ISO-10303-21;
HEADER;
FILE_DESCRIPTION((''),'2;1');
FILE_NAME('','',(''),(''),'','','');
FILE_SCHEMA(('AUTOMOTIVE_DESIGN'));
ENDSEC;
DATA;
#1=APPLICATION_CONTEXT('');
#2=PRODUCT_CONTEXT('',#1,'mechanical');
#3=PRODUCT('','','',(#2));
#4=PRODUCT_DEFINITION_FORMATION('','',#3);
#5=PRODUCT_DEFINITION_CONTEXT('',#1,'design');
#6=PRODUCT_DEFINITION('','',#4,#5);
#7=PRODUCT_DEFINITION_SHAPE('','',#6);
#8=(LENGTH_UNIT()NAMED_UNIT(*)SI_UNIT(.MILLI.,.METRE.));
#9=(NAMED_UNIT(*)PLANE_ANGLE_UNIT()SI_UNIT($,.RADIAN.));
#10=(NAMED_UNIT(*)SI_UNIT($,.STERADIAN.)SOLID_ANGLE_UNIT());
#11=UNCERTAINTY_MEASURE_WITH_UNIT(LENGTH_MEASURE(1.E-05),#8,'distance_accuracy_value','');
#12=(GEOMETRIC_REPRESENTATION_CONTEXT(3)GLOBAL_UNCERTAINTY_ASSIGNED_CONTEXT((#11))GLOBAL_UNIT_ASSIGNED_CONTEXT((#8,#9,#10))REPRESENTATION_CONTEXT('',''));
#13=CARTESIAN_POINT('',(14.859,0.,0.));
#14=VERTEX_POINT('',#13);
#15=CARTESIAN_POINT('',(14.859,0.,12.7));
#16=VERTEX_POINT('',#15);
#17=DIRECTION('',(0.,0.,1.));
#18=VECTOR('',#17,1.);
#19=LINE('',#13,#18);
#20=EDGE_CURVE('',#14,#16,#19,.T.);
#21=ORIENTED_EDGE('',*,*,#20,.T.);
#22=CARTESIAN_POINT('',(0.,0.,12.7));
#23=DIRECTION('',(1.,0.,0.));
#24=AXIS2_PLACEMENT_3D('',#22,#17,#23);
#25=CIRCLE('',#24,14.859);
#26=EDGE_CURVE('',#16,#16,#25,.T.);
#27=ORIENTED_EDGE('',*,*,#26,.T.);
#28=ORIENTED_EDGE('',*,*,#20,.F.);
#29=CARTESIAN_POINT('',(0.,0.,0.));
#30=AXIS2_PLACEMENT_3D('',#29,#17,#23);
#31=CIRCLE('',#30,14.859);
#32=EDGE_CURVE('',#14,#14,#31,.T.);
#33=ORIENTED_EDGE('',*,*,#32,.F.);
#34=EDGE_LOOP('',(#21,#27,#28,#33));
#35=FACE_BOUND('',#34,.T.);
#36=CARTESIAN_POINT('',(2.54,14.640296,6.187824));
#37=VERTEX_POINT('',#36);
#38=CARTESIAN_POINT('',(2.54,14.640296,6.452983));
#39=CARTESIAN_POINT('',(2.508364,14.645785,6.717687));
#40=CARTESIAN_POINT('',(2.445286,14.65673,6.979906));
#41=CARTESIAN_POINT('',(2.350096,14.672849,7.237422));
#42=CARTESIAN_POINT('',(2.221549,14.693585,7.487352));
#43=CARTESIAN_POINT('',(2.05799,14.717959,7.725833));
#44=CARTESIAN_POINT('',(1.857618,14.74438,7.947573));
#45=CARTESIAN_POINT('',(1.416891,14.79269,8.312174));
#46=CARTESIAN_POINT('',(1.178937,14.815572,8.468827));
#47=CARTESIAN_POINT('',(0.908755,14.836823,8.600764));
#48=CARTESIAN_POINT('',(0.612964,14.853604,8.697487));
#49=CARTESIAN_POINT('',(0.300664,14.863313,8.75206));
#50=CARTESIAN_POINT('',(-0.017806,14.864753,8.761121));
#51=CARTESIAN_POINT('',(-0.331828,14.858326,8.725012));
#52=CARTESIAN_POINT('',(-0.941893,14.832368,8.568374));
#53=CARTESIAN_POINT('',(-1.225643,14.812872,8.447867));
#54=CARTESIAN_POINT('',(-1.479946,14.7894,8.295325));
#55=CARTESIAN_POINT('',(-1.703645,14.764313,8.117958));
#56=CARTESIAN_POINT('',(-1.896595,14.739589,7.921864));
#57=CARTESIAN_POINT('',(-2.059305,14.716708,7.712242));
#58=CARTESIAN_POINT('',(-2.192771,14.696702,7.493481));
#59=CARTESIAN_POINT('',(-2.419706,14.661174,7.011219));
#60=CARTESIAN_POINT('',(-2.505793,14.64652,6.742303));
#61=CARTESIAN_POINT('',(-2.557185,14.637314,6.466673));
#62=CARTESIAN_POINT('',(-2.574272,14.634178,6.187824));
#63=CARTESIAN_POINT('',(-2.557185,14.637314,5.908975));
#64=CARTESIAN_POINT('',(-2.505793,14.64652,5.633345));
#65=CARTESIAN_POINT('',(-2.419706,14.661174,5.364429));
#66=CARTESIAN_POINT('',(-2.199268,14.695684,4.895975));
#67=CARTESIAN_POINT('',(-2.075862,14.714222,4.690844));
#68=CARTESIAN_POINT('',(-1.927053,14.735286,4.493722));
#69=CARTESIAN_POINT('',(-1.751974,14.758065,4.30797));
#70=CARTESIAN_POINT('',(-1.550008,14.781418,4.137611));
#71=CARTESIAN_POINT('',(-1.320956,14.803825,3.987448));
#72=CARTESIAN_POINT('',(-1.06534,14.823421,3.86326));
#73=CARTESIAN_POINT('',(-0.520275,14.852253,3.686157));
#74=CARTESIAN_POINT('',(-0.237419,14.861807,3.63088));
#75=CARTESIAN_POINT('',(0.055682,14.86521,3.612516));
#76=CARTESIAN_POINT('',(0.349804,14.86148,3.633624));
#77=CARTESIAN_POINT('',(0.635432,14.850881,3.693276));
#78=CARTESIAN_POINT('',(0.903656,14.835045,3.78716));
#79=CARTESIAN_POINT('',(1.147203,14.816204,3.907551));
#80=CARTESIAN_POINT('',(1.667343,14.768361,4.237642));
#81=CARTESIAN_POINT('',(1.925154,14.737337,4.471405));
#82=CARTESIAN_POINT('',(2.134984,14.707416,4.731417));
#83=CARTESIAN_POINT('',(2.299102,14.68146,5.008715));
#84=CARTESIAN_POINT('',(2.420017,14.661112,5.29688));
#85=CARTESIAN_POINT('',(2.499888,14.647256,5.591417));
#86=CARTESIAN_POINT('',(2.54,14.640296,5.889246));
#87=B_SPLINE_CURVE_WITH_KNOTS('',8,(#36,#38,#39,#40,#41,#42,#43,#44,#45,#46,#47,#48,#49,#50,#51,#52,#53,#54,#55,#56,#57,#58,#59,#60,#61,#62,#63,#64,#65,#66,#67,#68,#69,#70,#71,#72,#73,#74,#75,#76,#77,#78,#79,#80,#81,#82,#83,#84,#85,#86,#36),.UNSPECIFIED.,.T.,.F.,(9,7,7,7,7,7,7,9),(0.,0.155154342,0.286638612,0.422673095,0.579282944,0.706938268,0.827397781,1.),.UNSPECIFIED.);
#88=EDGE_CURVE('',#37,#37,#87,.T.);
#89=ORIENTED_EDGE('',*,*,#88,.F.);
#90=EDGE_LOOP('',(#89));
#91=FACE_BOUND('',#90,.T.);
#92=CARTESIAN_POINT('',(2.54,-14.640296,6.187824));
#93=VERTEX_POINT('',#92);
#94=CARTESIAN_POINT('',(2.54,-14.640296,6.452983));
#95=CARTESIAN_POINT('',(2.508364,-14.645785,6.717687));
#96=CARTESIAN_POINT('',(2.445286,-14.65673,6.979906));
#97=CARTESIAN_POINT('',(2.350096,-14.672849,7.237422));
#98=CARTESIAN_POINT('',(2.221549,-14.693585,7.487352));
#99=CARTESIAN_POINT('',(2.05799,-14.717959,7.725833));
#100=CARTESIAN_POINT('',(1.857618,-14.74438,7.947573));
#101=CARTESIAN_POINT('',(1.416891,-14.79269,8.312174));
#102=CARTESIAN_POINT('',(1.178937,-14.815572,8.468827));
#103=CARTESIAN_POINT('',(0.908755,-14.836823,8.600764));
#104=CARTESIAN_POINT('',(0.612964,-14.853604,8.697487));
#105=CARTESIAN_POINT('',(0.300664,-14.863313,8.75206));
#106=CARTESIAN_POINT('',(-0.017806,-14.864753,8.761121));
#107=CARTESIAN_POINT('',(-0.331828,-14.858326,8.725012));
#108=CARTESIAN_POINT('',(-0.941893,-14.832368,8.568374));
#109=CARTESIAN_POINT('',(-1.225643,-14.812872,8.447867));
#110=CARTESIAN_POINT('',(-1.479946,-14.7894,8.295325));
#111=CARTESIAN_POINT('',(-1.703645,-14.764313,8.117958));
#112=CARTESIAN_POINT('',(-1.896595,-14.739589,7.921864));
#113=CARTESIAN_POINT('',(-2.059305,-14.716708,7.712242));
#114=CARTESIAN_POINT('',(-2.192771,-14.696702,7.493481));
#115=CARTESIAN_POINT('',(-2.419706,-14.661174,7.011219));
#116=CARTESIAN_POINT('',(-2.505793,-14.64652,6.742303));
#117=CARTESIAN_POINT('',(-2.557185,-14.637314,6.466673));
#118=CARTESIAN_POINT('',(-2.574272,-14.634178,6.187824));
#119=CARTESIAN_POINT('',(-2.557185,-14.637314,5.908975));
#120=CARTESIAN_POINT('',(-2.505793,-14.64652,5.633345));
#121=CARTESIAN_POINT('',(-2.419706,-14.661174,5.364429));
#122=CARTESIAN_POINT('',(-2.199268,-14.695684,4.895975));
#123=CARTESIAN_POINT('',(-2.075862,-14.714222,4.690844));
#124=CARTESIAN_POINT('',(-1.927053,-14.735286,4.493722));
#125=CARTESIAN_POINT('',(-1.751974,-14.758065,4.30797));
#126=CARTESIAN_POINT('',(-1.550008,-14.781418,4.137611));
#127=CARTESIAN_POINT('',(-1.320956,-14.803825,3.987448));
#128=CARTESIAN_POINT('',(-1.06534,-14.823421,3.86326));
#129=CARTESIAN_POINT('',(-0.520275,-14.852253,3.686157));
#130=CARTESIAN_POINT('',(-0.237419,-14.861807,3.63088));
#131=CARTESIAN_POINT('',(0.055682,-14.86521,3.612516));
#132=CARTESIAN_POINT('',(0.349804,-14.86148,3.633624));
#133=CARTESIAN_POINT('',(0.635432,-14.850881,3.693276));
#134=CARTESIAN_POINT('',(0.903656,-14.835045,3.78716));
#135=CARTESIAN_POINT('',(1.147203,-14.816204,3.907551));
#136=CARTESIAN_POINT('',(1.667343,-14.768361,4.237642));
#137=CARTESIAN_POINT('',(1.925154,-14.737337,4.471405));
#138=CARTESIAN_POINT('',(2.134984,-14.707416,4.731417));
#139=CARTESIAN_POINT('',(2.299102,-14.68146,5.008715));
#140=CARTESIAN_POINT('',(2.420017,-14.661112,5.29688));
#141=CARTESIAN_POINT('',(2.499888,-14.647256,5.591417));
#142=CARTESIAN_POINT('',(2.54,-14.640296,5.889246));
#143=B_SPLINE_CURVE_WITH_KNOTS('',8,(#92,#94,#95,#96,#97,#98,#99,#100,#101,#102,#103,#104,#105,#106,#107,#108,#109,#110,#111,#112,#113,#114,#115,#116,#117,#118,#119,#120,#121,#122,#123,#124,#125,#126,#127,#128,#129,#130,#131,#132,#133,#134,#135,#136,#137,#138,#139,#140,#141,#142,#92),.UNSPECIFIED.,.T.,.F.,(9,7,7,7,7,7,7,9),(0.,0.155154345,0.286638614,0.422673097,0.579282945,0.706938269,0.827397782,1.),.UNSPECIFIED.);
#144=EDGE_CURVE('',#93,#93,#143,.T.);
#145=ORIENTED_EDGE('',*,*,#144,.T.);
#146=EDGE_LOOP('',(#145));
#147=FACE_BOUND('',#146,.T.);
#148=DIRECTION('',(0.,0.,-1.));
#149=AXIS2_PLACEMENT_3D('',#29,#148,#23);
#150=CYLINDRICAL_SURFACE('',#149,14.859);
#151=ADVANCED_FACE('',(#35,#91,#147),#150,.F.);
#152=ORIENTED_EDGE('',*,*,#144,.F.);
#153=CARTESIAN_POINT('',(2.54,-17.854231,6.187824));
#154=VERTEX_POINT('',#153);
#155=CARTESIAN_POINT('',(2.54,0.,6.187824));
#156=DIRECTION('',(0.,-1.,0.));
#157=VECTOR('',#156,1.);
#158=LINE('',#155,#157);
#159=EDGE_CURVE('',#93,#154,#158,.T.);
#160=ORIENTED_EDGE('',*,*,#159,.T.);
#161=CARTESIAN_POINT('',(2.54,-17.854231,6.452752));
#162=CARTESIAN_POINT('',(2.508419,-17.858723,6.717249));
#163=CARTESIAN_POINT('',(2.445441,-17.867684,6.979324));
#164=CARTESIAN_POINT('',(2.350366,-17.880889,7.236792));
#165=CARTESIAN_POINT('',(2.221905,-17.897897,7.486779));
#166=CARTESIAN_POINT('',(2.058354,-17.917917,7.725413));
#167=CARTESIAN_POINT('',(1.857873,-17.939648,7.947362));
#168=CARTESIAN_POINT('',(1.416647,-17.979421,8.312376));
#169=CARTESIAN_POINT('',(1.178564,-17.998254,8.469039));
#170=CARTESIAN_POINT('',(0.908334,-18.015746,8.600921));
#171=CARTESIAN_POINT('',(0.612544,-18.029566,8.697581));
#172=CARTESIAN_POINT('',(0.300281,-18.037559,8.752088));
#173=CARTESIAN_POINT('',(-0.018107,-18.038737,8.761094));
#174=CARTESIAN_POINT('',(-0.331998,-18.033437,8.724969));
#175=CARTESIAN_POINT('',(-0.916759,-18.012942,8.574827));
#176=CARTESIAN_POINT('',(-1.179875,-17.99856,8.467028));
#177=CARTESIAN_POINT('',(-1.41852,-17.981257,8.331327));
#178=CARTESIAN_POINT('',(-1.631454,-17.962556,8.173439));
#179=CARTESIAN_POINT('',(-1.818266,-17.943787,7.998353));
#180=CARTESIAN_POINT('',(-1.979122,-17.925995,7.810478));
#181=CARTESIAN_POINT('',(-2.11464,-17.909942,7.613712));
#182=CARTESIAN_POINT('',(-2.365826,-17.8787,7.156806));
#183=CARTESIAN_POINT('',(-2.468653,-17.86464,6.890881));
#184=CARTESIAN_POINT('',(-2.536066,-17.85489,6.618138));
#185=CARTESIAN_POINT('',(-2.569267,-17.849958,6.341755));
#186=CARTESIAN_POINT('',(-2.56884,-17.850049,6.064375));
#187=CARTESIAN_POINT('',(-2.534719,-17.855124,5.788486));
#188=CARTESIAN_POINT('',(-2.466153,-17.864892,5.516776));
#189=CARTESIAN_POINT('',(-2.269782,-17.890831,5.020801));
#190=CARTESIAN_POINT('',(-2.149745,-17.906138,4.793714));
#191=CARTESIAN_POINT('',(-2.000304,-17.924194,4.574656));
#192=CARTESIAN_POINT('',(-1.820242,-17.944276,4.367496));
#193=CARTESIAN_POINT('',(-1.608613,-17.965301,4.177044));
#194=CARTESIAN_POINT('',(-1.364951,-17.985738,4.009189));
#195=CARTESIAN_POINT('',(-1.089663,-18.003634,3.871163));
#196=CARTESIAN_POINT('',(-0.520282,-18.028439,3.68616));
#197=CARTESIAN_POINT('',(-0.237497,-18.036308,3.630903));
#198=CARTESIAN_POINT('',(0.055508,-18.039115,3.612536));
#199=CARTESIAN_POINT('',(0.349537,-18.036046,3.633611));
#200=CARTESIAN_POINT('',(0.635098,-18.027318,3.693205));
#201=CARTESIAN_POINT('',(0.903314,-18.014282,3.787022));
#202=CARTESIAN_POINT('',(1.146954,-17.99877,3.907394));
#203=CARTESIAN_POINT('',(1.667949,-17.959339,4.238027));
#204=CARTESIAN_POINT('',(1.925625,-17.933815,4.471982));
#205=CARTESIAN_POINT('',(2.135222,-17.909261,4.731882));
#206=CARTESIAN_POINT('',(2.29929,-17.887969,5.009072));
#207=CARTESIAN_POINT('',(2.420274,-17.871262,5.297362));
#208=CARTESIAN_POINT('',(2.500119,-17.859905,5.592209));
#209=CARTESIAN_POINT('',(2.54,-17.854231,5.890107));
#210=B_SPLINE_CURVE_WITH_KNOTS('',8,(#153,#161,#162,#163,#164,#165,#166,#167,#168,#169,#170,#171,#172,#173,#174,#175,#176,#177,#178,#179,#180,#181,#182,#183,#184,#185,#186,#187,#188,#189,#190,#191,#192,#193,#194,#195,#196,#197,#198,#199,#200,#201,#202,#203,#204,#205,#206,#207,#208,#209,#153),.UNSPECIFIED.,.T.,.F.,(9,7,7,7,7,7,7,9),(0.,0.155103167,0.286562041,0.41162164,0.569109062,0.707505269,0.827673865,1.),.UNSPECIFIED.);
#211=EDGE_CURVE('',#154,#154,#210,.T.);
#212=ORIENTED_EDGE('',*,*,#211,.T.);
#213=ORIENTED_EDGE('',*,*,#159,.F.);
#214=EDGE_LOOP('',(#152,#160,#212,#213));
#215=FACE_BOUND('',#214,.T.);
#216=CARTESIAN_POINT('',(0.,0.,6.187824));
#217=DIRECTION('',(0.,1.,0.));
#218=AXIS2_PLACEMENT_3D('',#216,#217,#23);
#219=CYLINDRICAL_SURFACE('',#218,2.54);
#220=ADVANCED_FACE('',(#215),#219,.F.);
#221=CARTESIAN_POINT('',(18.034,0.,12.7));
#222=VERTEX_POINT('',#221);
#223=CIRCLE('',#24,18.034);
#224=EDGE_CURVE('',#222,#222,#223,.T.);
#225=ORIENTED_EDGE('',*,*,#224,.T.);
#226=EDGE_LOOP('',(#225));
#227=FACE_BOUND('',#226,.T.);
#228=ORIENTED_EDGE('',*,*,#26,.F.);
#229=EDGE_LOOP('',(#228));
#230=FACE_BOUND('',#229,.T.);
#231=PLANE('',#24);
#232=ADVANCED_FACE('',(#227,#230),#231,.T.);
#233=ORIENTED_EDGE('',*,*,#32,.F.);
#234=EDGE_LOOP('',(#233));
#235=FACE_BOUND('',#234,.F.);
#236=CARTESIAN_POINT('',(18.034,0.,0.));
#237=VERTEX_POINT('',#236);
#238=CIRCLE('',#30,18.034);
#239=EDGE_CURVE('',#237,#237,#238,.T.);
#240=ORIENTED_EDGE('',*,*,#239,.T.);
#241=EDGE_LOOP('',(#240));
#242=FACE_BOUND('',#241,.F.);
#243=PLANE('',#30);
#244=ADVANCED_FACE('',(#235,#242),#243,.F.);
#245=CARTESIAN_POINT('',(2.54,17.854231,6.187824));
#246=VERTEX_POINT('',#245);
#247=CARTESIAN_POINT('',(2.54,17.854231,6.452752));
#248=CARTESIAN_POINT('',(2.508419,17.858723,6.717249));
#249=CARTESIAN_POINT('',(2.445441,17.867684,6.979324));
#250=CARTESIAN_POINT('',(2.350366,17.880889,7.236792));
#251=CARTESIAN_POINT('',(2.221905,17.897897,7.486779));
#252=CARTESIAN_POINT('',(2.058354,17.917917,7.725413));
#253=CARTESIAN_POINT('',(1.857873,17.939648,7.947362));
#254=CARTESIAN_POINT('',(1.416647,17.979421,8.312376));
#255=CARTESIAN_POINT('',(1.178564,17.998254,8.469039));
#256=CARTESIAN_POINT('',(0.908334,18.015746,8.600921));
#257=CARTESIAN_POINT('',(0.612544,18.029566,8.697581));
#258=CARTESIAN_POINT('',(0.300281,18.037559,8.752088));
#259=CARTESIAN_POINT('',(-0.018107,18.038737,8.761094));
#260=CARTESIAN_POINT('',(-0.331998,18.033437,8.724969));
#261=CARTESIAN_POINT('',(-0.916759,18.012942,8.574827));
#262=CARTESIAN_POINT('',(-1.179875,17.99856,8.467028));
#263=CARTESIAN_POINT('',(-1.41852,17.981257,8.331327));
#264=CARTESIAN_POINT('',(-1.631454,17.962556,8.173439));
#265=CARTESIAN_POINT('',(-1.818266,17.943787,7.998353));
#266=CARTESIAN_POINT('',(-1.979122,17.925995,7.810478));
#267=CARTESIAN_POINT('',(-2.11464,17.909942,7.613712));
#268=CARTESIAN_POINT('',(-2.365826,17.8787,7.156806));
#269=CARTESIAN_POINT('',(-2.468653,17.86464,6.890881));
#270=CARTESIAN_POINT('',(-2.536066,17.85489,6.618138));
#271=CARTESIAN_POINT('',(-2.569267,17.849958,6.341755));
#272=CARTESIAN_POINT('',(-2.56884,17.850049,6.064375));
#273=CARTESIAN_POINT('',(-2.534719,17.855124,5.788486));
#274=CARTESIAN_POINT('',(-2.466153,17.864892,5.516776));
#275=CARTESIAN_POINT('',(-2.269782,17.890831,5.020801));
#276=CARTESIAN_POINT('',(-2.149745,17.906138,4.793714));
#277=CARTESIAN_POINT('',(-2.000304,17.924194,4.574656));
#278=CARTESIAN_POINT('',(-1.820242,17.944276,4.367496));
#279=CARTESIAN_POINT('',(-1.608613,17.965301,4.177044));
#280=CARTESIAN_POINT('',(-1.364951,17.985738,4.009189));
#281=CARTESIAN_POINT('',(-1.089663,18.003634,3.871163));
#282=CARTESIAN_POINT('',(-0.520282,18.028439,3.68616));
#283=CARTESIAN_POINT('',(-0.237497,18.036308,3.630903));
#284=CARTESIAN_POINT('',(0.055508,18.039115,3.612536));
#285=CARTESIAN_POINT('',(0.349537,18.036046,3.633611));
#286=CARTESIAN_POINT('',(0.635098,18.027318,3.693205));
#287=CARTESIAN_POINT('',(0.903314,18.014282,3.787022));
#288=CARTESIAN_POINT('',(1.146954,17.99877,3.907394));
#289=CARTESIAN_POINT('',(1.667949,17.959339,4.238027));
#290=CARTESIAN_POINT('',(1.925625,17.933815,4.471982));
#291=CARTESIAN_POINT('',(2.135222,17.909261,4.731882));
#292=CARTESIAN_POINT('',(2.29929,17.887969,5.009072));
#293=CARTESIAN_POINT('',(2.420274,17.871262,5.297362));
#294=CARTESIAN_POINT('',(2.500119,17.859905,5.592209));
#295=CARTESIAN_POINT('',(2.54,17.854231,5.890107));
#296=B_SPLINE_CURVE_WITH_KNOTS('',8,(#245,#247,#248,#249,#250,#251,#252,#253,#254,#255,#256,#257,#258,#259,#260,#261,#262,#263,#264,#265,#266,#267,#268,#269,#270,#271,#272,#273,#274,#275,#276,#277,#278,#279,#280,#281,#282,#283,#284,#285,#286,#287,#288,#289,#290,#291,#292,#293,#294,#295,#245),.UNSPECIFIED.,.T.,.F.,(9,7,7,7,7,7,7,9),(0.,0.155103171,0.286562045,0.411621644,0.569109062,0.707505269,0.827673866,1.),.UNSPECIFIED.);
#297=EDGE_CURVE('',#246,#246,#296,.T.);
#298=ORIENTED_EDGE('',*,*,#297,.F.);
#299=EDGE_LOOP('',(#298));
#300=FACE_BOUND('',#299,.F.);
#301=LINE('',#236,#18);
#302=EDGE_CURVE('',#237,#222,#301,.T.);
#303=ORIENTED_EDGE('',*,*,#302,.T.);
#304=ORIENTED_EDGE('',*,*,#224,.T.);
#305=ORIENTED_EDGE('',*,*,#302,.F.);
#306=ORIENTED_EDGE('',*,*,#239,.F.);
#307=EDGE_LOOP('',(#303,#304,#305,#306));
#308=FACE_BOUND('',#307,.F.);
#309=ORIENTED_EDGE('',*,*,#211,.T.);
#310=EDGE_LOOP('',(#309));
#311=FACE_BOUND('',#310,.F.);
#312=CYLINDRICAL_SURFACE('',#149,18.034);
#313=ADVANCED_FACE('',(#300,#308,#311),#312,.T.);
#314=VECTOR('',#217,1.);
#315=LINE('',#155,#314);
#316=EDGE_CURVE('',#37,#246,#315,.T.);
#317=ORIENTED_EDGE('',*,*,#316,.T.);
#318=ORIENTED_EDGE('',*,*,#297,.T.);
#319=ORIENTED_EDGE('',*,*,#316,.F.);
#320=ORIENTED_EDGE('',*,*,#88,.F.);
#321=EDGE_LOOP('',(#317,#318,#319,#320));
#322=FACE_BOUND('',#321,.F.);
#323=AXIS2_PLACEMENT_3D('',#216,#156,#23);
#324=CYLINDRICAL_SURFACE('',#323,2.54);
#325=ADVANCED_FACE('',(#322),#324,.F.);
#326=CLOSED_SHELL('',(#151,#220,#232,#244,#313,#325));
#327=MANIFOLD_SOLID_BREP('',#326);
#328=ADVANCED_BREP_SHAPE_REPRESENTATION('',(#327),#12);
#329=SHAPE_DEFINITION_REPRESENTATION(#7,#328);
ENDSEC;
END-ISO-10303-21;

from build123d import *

# Parameters (mm, degrees)
F0_R     = 18.034
F0_R_2   = 14.859
F1_DEPTH = 12.7
F2_R     = 2.54
F3_DEPTH = 50.8
F4_DEPTH = 50.8


with BuildPart() as f1:
    # F0 (on Top) → F1 (new body)
    with BuildSketch(Plane.XY):
        Circle(F0_R)
        Circle(F0_R_2, mode=Mode.SUBTRACT)
    extrude(amount=F1_DEPTH)

    # F2 (on Front) → F3 (cut)
    with BuildSketch(Plane.XZ):
        with Locations((0, 6.187824)):
            Circle(F2_R)
    extrude(amount=-F3_DEPTH, mode=Mode.SUBTRACT)

    # F2 (on Front) → F4 (cut)
    with BuildSketch(Plane.XZ):
        with Locations((0, 6.187824)):
            Circle(F2_R)
    extrude(amount=F4_DEPTH, mode=Mode.SUBTRACT)


solid = f1.part
